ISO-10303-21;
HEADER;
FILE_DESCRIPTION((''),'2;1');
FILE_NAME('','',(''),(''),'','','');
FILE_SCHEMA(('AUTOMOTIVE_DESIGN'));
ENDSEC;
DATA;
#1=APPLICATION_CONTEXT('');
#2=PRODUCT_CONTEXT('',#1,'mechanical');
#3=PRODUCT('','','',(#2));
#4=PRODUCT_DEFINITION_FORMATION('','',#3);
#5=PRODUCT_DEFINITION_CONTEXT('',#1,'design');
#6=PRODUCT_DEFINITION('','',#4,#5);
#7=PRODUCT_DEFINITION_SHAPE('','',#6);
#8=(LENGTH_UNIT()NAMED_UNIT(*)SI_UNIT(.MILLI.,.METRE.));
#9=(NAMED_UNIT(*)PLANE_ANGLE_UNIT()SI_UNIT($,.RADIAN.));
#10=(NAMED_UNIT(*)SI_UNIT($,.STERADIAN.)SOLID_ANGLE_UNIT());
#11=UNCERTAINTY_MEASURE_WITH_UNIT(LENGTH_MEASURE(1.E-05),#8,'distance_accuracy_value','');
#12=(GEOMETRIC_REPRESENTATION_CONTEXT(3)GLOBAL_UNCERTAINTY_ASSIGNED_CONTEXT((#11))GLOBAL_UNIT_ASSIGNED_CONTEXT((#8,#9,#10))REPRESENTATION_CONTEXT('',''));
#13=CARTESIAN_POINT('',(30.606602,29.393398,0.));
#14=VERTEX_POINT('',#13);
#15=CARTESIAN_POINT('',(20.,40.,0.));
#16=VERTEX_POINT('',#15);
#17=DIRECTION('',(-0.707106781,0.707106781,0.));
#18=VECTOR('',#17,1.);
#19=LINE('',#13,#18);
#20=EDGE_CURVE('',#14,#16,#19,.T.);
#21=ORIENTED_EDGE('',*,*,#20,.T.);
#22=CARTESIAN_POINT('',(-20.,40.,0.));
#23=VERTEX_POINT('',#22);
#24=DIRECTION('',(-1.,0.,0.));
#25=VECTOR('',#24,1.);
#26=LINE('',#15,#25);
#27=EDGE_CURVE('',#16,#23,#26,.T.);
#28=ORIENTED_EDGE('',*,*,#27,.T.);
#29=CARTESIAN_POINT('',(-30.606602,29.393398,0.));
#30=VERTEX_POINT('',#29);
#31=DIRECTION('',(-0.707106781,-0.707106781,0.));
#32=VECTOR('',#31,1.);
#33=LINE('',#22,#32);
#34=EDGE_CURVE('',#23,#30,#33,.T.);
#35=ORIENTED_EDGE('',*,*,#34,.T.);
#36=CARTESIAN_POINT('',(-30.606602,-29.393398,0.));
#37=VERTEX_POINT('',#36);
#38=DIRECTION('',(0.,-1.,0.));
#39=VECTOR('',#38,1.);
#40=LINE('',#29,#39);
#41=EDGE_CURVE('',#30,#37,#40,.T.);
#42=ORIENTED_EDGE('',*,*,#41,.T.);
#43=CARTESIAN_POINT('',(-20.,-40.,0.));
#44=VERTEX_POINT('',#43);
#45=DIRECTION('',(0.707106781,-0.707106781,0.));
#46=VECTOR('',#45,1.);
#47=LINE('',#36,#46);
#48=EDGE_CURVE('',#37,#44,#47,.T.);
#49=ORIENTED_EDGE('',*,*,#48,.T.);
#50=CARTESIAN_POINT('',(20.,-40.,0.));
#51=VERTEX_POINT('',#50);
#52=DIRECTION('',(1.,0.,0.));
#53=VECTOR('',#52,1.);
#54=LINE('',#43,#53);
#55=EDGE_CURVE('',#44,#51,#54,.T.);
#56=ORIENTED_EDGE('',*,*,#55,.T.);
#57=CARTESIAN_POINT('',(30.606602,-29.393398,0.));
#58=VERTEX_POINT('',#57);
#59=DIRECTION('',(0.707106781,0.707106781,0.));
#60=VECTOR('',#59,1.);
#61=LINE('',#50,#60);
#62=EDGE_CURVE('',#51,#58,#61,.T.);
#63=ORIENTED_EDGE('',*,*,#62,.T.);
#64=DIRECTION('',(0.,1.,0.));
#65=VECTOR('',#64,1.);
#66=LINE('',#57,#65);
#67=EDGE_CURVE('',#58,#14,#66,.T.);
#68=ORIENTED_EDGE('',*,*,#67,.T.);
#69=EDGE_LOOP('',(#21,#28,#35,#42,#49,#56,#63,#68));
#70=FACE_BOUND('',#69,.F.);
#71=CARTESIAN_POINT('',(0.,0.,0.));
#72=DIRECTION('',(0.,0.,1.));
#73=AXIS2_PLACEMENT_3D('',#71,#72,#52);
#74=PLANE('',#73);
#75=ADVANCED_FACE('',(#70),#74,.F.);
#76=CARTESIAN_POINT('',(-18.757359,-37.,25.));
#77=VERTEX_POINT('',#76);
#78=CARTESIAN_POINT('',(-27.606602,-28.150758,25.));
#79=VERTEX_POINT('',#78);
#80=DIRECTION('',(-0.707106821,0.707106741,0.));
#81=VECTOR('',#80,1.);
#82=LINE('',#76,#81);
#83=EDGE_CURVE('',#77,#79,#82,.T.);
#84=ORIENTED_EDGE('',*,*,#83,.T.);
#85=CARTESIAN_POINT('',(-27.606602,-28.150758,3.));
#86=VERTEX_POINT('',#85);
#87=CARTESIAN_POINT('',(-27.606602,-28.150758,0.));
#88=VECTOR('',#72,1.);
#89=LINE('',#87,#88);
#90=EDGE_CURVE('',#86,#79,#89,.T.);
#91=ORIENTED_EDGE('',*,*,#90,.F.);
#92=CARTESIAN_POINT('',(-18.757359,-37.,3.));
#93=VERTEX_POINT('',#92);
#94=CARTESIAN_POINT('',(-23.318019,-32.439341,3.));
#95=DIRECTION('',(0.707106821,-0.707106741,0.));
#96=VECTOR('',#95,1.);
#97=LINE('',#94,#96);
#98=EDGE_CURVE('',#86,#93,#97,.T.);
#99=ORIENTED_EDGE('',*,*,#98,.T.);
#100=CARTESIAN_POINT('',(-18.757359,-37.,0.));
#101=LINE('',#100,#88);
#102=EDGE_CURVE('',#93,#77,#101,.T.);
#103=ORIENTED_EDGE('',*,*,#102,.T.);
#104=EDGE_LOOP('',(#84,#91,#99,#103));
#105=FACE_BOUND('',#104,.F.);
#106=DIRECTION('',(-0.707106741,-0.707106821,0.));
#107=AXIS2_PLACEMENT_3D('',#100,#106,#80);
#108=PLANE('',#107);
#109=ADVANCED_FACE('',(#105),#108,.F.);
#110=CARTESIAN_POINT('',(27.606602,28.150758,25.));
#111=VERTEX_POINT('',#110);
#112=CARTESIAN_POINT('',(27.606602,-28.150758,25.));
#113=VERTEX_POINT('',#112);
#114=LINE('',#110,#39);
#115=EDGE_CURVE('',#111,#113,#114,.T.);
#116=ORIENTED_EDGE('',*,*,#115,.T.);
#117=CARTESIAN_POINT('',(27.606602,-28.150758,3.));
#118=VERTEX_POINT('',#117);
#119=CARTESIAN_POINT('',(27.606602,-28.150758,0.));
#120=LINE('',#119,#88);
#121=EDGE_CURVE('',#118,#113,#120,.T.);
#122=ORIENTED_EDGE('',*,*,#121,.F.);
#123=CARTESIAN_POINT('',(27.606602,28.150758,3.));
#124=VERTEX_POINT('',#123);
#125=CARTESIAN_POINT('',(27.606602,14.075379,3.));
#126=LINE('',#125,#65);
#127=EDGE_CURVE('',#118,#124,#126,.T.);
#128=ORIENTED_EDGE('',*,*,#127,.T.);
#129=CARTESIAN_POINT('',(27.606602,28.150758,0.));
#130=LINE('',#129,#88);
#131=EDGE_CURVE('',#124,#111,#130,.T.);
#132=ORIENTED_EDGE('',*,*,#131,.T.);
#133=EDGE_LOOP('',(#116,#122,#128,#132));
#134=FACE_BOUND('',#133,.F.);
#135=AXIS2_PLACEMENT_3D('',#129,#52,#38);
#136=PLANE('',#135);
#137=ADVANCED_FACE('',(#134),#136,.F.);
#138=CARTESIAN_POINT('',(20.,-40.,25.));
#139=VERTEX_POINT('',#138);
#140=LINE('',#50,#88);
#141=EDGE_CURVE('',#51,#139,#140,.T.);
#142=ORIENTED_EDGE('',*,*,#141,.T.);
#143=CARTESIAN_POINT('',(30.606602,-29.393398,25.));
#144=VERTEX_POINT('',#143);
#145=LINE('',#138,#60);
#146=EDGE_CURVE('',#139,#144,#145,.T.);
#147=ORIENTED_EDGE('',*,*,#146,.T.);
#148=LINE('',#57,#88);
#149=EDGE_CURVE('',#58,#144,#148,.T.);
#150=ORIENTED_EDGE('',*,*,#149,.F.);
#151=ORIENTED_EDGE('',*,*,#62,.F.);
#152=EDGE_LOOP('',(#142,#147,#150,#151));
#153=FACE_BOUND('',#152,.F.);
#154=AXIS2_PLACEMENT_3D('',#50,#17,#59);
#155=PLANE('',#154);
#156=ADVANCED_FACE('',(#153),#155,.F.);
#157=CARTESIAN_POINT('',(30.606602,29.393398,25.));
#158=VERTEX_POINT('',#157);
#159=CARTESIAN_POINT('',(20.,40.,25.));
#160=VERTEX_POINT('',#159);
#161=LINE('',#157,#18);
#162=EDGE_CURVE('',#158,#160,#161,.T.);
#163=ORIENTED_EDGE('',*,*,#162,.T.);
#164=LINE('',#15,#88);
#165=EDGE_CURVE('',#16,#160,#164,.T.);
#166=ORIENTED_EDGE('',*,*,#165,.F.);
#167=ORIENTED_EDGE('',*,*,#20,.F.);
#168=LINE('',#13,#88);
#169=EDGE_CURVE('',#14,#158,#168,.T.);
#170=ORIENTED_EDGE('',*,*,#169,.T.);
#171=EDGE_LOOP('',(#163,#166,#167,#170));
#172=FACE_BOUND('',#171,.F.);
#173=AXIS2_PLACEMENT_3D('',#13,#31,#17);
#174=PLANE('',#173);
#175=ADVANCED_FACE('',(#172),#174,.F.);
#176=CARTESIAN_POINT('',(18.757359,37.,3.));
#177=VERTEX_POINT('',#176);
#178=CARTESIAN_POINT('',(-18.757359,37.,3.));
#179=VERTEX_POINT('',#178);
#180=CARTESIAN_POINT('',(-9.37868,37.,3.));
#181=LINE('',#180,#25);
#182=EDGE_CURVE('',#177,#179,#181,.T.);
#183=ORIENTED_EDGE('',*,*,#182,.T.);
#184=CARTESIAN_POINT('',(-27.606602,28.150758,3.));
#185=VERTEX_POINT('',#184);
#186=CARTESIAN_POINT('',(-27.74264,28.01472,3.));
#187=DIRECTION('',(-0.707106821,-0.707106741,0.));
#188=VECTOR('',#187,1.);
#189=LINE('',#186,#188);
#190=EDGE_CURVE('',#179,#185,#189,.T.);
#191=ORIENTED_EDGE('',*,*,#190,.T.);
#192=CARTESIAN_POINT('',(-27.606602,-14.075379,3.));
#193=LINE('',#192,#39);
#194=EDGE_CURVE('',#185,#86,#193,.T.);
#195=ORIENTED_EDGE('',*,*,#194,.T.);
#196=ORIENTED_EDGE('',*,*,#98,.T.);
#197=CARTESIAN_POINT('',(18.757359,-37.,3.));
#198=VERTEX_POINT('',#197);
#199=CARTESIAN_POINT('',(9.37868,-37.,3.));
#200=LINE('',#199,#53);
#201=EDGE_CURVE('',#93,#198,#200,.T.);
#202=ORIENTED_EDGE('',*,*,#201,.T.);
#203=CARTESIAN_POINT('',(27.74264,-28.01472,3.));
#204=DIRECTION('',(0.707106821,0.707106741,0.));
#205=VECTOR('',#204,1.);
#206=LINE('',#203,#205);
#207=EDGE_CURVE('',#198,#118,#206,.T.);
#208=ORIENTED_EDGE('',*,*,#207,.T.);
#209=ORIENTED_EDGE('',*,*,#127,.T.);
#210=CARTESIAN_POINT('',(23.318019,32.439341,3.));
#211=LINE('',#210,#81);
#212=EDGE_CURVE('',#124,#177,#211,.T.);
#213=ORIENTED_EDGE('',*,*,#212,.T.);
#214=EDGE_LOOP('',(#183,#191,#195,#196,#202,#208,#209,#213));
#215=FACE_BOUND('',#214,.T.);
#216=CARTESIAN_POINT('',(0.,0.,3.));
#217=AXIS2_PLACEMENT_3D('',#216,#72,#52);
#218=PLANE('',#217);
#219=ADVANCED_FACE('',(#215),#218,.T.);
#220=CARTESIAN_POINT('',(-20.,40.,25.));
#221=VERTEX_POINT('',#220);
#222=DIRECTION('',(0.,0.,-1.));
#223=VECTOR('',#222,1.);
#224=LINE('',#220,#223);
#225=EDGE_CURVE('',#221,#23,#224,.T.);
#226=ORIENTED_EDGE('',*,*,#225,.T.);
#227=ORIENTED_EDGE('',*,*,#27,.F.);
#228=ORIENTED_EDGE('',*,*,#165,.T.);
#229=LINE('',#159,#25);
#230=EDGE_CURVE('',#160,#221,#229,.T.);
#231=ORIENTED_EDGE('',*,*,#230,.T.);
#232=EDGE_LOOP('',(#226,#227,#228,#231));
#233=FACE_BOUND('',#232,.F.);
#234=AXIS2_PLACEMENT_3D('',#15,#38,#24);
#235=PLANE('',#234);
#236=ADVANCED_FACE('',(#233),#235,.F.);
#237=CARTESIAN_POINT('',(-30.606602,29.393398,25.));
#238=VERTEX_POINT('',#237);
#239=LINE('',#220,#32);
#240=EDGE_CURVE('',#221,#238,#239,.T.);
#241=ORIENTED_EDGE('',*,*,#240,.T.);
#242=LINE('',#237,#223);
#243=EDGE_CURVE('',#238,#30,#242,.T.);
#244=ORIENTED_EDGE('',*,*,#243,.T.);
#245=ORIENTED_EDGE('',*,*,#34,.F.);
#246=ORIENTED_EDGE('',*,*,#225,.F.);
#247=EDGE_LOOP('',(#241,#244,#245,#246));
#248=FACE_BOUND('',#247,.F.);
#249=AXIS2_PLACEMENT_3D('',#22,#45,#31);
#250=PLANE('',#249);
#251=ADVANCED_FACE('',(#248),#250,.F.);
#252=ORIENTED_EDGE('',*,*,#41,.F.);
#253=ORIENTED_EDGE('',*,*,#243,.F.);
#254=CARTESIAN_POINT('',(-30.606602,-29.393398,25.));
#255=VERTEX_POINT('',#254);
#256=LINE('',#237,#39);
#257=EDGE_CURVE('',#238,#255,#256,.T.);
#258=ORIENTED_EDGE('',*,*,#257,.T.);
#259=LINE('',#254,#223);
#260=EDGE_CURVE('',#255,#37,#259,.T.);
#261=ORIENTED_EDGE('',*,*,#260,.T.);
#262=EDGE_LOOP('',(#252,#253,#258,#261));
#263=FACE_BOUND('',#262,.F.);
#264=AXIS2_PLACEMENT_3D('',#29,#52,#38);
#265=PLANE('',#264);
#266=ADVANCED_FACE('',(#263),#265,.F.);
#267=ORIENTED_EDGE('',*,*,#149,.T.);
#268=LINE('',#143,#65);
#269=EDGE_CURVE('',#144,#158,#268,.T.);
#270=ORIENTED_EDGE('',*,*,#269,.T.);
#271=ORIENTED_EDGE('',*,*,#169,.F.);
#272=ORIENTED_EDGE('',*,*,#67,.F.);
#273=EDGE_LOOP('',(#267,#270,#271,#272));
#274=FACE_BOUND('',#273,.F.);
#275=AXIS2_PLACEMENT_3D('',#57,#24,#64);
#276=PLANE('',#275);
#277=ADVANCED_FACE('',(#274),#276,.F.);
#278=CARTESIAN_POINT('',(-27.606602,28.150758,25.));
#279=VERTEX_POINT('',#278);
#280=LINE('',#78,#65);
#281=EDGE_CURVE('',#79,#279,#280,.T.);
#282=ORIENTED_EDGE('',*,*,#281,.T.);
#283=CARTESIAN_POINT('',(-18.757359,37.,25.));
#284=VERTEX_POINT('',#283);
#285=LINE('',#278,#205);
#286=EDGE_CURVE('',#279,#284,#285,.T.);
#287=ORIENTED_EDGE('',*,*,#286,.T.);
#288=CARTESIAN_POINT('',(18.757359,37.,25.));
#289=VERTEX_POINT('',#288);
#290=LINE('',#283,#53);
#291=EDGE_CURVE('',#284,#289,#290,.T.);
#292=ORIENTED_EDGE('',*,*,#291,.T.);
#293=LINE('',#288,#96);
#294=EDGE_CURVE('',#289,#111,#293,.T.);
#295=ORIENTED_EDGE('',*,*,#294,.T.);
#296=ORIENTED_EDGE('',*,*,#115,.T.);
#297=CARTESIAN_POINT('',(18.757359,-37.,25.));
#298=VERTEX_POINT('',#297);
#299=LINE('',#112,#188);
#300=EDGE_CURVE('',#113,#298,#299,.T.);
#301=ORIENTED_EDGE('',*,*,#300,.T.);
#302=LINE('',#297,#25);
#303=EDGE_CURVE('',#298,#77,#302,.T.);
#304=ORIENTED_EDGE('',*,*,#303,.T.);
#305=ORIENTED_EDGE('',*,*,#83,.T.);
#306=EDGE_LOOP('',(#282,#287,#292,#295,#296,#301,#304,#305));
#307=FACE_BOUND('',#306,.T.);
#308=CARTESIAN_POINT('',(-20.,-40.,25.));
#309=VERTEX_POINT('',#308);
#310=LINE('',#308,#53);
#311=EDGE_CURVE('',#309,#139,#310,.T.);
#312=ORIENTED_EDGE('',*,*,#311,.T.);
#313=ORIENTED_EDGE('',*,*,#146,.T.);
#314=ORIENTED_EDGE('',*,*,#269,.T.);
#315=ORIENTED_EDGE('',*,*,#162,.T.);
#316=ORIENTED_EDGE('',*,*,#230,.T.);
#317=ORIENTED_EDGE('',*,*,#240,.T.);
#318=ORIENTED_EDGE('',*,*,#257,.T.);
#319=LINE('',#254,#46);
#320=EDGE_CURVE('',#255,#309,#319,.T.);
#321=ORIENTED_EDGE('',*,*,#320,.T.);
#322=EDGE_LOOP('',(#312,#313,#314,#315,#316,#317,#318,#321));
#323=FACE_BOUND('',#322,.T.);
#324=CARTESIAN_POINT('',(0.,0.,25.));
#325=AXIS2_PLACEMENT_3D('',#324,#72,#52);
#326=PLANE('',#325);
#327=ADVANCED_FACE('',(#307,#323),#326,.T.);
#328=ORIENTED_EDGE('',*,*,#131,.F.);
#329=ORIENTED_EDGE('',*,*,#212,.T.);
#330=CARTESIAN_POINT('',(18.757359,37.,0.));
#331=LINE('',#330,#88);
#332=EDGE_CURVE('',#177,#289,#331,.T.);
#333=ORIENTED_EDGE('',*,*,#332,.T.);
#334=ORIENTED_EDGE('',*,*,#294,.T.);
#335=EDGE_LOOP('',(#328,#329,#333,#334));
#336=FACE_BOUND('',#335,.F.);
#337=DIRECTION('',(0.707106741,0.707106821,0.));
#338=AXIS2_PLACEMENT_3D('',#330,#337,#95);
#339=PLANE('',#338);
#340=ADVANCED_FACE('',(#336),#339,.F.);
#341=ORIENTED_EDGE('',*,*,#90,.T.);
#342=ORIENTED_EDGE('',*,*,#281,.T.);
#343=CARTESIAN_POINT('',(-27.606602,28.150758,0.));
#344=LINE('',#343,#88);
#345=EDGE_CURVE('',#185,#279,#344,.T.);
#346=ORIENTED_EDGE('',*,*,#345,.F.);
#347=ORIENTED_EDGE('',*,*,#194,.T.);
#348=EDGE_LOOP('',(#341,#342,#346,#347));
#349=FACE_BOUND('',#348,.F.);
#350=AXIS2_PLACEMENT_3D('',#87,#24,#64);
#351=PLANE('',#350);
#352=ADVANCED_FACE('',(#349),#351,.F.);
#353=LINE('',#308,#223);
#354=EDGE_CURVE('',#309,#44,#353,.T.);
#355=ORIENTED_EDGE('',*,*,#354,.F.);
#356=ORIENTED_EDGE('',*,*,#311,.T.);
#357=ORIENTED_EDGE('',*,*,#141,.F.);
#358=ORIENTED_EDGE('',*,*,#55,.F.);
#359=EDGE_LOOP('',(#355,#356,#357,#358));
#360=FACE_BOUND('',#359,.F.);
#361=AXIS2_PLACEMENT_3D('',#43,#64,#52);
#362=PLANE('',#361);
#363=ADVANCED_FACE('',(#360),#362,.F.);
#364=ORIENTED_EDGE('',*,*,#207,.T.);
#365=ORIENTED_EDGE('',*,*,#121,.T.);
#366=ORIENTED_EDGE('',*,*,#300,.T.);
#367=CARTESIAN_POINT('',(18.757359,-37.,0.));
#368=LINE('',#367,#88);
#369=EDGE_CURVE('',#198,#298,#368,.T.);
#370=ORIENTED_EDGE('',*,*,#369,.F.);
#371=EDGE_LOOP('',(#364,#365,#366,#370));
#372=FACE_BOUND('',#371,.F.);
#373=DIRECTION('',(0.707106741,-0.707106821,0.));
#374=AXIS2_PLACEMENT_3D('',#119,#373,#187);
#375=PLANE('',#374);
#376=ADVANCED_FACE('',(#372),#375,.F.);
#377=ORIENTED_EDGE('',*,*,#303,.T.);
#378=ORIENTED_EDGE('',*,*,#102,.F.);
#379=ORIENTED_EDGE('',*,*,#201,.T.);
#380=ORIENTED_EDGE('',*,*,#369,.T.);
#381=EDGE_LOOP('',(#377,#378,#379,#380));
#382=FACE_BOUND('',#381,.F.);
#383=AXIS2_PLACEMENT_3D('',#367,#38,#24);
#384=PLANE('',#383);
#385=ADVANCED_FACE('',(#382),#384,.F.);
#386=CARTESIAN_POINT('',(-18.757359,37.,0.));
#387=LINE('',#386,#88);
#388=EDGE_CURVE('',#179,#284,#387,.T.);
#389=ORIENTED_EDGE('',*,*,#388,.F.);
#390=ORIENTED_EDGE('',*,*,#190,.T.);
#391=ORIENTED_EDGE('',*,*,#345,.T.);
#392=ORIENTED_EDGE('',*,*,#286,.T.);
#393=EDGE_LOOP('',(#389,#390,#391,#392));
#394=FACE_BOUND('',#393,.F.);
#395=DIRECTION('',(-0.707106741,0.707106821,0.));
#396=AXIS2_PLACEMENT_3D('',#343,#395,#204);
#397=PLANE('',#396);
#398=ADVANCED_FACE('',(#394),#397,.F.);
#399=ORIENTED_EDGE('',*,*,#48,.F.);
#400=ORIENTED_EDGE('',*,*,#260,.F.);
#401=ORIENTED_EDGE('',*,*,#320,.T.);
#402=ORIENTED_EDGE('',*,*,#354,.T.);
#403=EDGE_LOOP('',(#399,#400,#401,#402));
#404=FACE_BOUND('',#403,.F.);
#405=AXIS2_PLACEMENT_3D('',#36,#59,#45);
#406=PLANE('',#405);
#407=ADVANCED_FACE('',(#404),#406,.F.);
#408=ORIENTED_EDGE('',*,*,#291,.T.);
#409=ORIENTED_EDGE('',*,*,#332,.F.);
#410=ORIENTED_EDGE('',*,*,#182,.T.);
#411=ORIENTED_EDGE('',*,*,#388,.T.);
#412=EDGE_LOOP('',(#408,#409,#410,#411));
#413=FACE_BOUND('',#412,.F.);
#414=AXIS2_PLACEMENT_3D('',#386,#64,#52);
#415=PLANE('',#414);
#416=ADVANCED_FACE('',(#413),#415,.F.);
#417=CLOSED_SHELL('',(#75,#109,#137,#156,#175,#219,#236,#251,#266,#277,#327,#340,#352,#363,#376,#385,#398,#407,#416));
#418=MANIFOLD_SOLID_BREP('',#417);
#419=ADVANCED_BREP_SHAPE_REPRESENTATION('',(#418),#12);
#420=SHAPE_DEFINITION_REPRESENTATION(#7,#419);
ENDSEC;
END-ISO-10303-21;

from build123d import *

# Parameters (mm, degrees)
F1_DEPTH = 3
F2_DEPTH = 25


with BuildPart() as f1:
    # F0 (on Top) → F1 (new body)
    with BuildSketch(Plane.XY):
        Polygon((-20, -40), (0, -40), (20, -40), (30.606602, -29.393398), (30.606602, 29.393398), (20, 40), (0, 40), (-20, 40), (-30.606602, 29.393398), (-30.606602, -29.393398), align=None)
        Polygon((-18.757359, -37), (-27.606602, -28.150758), (-27.606602, 28.150758), (-18.757359, 37), (0, 37), (18.757359, 37), (27.606602, 28.150758), (27.606602, -28.150758), (18.757359, -37), (0, -37), align=None, mode=Mode.SUBTRACT)
        Polygon((-27.606602, 28.150758), (-27.606602, -28.150758), (-18.757359, -37), (0, -37), (18.757359, -37), (27.606602, -28.150758), (27.606602, 28.150758), (18.757359, 37), (0, 37), (-18.757359, 37), align=None)
    extrude(amount=F1_DEPTH)

    # F0 (on Top) → F2 (join)
    with BuildSketch(Plane.XY):
        Polygon((-20, -40), (0, -40), (20, -40), (30.606602, -29.393398), (30.606602, 29.393398), (20, 40), (0, 40), (-20, 40), (-30.606602, 29.393398), (-30.606602, -29.393398), align=None)
        Polygon((-18.757359, -37), (-27.606602, -28.150758), (-27.606602, 28.150758), (-18.757359, 37), (0, 37), (18.757359, 37), (27.606602, 28.150758), (27.606602, -28.150758), (18.757359, -37), (0, -37), align=None, mode=Mode.SUBTRACT)
    extrude(amount=F2_DEPTH)


solid = f1.part
